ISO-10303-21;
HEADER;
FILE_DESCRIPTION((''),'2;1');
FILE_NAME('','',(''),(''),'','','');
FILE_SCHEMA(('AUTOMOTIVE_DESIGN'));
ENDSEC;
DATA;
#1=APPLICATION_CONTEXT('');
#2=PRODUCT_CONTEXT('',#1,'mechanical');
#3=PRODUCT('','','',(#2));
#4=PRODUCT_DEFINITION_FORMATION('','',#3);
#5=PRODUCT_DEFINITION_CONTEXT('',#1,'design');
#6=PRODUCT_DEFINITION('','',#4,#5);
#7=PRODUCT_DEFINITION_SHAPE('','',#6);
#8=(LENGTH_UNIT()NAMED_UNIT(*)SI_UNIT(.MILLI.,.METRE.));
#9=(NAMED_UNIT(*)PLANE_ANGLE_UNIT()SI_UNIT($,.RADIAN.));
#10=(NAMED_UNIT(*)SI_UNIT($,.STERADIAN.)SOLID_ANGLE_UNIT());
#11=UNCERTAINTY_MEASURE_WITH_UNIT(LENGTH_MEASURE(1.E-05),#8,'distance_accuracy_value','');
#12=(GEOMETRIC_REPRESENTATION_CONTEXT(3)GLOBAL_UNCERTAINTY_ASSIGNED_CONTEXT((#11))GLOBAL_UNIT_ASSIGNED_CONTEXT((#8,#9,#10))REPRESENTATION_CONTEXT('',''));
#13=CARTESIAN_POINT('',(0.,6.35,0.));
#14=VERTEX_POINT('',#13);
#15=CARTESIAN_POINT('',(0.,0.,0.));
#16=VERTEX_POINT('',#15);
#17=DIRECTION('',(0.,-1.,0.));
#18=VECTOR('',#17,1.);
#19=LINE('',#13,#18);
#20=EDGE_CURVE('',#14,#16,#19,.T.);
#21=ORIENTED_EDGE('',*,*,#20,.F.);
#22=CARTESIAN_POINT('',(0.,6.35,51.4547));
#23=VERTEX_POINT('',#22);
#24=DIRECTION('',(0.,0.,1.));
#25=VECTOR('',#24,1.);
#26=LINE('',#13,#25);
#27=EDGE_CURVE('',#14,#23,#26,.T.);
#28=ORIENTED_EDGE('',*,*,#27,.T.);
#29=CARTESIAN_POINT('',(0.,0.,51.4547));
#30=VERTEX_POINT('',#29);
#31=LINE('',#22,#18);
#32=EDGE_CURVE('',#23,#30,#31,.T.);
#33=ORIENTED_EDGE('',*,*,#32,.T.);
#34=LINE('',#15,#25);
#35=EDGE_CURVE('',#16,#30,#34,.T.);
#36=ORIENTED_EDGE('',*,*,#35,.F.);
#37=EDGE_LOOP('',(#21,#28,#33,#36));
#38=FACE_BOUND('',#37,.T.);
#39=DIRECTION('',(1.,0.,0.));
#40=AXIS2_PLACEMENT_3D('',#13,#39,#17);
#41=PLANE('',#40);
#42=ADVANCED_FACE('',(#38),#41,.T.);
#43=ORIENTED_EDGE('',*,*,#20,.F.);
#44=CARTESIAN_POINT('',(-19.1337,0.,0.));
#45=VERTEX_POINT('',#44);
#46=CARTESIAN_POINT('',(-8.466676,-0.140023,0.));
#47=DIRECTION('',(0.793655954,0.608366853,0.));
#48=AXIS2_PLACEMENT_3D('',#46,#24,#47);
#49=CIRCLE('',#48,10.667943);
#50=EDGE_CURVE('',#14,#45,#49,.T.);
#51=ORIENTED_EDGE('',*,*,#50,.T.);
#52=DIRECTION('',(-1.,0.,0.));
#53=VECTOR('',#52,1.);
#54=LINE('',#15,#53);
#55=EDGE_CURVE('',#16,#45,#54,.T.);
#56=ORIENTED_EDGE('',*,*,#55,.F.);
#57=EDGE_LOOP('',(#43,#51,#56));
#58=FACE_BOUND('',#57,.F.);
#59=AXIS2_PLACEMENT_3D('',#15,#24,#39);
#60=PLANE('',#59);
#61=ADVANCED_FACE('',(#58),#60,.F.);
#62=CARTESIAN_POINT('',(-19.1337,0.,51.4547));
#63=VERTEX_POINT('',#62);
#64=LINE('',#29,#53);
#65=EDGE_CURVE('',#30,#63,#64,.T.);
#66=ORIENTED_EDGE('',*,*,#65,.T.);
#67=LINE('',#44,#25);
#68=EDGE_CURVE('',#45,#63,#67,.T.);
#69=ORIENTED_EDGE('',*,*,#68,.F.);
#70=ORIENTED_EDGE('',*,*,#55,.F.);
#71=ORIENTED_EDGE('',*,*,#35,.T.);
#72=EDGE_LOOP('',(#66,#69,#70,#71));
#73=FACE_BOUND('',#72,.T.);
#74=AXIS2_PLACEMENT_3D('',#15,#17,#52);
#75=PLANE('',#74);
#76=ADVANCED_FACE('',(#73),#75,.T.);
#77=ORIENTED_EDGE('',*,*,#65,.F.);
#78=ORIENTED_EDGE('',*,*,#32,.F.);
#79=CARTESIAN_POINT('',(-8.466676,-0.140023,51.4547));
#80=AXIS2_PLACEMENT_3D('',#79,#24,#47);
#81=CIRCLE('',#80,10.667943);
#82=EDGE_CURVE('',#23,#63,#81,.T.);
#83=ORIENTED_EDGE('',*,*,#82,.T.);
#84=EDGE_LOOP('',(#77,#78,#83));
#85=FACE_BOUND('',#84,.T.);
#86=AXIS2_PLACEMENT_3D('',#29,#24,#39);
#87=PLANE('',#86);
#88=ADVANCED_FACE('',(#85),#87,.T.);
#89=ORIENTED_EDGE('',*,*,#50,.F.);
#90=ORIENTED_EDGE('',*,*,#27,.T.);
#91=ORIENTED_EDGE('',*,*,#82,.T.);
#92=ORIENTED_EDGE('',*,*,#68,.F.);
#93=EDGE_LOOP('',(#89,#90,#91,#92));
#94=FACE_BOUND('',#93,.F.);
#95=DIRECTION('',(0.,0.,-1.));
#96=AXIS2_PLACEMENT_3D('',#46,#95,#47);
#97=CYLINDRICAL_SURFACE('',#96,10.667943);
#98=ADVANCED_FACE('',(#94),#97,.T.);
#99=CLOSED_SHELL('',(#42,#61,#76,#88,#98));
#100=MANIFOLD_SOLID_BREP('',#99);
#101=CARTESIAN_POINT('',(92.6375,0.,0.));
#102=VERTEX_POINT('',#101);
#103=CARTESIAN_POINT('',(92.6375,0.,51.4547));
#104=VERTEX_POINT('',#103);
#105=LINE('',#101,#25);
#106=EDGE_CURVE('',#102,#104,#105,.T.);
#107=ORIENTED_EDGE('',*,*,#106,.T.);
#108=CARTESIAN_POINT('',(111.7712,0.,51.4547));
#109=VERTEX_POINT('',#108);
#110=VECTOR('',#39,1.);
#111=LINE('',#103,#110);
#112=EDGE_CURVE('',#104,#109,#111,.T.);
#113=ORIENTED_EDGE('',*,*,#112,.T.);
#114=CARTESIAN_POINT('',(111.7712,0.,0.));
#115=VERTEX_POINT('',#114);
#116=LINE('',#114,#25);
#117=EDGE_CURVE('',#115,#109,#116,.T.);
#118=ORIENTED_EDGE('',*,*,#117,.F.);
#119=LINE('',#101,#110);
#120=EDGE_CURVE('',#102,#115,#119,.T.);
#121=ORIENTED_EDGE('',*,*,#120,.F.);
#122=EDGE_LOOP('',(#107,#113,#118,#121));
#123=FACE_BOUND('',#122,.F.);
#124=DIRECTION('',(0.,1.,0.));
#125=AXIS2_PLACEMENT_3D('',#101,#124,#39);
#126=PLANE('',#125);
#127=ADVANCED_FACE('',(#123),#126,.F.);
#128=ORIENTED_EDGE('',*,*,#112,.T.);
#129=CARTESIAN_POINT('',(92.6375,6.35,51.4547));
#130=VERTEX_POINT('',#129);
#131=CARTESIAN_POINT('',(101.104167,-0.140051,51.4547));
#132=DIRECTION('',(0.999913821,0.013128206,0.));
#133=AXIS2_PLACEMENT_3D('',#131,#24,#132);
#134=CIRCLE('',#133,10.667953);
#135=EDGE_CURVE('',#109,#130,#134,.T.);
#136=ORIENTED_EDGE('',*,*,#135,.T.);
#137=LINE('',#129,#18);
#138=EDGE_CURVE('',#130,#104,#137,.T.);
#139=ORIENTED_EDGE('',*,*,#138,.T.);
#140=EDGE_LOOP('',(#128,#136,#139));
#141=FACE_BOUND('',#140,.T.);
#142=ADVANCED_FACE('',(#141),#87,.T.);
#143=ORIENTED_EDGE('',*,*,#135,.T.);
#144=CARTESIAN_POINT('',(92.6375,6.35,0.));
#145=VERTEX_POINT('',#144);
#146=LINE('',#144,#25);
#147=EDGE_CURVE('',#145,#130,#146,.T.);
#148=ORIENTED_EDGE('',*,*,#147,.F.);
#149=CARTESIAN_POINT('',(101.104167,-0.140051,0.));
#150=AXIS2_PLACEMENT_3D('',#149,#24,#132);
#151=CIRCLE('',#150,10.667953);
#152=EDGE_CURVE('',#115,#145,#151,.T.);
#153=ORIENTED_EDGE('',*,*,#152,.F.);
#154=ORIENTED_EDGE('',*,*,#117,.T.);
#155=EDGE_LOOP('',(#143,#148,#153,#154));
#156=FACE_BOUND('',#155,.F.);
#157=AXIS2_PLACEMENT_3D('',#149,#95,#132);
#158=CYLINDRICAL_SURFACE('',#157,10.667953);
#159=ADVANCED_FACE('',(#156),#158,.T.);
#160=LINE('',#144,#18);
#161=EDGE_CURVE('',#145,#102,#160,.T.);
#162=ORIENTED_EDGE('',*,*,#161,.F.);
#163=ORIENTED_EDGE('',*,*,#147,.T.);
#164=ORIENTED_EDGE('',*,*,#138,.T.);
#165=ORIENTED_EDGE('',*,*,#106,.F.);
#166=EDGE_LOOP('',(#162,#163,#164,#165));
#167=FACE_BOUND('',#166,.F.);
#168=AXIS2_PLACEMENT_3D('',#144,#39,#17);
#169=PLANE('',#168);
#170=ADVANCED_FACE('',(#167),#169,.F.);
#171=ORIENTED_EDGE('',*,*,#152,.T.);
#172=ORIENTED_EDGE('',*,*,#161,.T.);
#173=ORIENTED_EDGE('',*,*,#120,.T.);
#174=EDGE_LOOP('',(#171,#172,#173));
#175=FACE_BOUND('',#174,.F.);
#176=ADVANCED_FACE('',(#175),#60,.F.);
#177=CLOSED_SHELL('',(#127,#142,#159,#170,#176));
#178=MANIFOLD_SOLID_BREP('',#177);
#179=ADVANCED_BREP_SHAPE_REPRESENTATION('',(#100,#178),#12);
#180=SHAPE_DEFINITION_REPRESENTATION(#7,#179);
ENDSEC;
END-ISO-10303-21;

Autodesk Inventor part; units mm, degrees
ref_plane "YZ Plane" through (0, 0, 0) normal (1, 0, 0) x (0, 1, 0)
ref_plane "XZ Plane" through (0, 0, 0) normal (0, 1, 0) x (-1, 0, 0)
sketch "Sketch1" plane through (0, 0, 0) normal (0, 0, 1) x (1, 0, 0)
  arc A0 (0, 6.35) -> (-19.1337, 0) centre (-8.4667, -0.1401) ccw projected
  line L0 (0, 0) -> (-19.1337, 0) projected
  line L1 (0, 6.35) -> (0, 0) projected
  line L2 (92.6375, 6.35) -> (92.6375, 0) projected
  line L3 (92.6375, 0) -> (111.7712, 0) projected
  arc A1 (111.7712, 0) -> (92.6375, 6.35) centre (101.1041, -0.1401) ccw projected
ref_plane "Work Plane1" through (-19.1337, 0, 51.4547) normal (0, 0, -1) x (0, 1, 0)
extrude "Extrusion1" add sketch "Sketch1" along normal up to surface (51.4547 mm away)
properties part number "Bad PillarS"
